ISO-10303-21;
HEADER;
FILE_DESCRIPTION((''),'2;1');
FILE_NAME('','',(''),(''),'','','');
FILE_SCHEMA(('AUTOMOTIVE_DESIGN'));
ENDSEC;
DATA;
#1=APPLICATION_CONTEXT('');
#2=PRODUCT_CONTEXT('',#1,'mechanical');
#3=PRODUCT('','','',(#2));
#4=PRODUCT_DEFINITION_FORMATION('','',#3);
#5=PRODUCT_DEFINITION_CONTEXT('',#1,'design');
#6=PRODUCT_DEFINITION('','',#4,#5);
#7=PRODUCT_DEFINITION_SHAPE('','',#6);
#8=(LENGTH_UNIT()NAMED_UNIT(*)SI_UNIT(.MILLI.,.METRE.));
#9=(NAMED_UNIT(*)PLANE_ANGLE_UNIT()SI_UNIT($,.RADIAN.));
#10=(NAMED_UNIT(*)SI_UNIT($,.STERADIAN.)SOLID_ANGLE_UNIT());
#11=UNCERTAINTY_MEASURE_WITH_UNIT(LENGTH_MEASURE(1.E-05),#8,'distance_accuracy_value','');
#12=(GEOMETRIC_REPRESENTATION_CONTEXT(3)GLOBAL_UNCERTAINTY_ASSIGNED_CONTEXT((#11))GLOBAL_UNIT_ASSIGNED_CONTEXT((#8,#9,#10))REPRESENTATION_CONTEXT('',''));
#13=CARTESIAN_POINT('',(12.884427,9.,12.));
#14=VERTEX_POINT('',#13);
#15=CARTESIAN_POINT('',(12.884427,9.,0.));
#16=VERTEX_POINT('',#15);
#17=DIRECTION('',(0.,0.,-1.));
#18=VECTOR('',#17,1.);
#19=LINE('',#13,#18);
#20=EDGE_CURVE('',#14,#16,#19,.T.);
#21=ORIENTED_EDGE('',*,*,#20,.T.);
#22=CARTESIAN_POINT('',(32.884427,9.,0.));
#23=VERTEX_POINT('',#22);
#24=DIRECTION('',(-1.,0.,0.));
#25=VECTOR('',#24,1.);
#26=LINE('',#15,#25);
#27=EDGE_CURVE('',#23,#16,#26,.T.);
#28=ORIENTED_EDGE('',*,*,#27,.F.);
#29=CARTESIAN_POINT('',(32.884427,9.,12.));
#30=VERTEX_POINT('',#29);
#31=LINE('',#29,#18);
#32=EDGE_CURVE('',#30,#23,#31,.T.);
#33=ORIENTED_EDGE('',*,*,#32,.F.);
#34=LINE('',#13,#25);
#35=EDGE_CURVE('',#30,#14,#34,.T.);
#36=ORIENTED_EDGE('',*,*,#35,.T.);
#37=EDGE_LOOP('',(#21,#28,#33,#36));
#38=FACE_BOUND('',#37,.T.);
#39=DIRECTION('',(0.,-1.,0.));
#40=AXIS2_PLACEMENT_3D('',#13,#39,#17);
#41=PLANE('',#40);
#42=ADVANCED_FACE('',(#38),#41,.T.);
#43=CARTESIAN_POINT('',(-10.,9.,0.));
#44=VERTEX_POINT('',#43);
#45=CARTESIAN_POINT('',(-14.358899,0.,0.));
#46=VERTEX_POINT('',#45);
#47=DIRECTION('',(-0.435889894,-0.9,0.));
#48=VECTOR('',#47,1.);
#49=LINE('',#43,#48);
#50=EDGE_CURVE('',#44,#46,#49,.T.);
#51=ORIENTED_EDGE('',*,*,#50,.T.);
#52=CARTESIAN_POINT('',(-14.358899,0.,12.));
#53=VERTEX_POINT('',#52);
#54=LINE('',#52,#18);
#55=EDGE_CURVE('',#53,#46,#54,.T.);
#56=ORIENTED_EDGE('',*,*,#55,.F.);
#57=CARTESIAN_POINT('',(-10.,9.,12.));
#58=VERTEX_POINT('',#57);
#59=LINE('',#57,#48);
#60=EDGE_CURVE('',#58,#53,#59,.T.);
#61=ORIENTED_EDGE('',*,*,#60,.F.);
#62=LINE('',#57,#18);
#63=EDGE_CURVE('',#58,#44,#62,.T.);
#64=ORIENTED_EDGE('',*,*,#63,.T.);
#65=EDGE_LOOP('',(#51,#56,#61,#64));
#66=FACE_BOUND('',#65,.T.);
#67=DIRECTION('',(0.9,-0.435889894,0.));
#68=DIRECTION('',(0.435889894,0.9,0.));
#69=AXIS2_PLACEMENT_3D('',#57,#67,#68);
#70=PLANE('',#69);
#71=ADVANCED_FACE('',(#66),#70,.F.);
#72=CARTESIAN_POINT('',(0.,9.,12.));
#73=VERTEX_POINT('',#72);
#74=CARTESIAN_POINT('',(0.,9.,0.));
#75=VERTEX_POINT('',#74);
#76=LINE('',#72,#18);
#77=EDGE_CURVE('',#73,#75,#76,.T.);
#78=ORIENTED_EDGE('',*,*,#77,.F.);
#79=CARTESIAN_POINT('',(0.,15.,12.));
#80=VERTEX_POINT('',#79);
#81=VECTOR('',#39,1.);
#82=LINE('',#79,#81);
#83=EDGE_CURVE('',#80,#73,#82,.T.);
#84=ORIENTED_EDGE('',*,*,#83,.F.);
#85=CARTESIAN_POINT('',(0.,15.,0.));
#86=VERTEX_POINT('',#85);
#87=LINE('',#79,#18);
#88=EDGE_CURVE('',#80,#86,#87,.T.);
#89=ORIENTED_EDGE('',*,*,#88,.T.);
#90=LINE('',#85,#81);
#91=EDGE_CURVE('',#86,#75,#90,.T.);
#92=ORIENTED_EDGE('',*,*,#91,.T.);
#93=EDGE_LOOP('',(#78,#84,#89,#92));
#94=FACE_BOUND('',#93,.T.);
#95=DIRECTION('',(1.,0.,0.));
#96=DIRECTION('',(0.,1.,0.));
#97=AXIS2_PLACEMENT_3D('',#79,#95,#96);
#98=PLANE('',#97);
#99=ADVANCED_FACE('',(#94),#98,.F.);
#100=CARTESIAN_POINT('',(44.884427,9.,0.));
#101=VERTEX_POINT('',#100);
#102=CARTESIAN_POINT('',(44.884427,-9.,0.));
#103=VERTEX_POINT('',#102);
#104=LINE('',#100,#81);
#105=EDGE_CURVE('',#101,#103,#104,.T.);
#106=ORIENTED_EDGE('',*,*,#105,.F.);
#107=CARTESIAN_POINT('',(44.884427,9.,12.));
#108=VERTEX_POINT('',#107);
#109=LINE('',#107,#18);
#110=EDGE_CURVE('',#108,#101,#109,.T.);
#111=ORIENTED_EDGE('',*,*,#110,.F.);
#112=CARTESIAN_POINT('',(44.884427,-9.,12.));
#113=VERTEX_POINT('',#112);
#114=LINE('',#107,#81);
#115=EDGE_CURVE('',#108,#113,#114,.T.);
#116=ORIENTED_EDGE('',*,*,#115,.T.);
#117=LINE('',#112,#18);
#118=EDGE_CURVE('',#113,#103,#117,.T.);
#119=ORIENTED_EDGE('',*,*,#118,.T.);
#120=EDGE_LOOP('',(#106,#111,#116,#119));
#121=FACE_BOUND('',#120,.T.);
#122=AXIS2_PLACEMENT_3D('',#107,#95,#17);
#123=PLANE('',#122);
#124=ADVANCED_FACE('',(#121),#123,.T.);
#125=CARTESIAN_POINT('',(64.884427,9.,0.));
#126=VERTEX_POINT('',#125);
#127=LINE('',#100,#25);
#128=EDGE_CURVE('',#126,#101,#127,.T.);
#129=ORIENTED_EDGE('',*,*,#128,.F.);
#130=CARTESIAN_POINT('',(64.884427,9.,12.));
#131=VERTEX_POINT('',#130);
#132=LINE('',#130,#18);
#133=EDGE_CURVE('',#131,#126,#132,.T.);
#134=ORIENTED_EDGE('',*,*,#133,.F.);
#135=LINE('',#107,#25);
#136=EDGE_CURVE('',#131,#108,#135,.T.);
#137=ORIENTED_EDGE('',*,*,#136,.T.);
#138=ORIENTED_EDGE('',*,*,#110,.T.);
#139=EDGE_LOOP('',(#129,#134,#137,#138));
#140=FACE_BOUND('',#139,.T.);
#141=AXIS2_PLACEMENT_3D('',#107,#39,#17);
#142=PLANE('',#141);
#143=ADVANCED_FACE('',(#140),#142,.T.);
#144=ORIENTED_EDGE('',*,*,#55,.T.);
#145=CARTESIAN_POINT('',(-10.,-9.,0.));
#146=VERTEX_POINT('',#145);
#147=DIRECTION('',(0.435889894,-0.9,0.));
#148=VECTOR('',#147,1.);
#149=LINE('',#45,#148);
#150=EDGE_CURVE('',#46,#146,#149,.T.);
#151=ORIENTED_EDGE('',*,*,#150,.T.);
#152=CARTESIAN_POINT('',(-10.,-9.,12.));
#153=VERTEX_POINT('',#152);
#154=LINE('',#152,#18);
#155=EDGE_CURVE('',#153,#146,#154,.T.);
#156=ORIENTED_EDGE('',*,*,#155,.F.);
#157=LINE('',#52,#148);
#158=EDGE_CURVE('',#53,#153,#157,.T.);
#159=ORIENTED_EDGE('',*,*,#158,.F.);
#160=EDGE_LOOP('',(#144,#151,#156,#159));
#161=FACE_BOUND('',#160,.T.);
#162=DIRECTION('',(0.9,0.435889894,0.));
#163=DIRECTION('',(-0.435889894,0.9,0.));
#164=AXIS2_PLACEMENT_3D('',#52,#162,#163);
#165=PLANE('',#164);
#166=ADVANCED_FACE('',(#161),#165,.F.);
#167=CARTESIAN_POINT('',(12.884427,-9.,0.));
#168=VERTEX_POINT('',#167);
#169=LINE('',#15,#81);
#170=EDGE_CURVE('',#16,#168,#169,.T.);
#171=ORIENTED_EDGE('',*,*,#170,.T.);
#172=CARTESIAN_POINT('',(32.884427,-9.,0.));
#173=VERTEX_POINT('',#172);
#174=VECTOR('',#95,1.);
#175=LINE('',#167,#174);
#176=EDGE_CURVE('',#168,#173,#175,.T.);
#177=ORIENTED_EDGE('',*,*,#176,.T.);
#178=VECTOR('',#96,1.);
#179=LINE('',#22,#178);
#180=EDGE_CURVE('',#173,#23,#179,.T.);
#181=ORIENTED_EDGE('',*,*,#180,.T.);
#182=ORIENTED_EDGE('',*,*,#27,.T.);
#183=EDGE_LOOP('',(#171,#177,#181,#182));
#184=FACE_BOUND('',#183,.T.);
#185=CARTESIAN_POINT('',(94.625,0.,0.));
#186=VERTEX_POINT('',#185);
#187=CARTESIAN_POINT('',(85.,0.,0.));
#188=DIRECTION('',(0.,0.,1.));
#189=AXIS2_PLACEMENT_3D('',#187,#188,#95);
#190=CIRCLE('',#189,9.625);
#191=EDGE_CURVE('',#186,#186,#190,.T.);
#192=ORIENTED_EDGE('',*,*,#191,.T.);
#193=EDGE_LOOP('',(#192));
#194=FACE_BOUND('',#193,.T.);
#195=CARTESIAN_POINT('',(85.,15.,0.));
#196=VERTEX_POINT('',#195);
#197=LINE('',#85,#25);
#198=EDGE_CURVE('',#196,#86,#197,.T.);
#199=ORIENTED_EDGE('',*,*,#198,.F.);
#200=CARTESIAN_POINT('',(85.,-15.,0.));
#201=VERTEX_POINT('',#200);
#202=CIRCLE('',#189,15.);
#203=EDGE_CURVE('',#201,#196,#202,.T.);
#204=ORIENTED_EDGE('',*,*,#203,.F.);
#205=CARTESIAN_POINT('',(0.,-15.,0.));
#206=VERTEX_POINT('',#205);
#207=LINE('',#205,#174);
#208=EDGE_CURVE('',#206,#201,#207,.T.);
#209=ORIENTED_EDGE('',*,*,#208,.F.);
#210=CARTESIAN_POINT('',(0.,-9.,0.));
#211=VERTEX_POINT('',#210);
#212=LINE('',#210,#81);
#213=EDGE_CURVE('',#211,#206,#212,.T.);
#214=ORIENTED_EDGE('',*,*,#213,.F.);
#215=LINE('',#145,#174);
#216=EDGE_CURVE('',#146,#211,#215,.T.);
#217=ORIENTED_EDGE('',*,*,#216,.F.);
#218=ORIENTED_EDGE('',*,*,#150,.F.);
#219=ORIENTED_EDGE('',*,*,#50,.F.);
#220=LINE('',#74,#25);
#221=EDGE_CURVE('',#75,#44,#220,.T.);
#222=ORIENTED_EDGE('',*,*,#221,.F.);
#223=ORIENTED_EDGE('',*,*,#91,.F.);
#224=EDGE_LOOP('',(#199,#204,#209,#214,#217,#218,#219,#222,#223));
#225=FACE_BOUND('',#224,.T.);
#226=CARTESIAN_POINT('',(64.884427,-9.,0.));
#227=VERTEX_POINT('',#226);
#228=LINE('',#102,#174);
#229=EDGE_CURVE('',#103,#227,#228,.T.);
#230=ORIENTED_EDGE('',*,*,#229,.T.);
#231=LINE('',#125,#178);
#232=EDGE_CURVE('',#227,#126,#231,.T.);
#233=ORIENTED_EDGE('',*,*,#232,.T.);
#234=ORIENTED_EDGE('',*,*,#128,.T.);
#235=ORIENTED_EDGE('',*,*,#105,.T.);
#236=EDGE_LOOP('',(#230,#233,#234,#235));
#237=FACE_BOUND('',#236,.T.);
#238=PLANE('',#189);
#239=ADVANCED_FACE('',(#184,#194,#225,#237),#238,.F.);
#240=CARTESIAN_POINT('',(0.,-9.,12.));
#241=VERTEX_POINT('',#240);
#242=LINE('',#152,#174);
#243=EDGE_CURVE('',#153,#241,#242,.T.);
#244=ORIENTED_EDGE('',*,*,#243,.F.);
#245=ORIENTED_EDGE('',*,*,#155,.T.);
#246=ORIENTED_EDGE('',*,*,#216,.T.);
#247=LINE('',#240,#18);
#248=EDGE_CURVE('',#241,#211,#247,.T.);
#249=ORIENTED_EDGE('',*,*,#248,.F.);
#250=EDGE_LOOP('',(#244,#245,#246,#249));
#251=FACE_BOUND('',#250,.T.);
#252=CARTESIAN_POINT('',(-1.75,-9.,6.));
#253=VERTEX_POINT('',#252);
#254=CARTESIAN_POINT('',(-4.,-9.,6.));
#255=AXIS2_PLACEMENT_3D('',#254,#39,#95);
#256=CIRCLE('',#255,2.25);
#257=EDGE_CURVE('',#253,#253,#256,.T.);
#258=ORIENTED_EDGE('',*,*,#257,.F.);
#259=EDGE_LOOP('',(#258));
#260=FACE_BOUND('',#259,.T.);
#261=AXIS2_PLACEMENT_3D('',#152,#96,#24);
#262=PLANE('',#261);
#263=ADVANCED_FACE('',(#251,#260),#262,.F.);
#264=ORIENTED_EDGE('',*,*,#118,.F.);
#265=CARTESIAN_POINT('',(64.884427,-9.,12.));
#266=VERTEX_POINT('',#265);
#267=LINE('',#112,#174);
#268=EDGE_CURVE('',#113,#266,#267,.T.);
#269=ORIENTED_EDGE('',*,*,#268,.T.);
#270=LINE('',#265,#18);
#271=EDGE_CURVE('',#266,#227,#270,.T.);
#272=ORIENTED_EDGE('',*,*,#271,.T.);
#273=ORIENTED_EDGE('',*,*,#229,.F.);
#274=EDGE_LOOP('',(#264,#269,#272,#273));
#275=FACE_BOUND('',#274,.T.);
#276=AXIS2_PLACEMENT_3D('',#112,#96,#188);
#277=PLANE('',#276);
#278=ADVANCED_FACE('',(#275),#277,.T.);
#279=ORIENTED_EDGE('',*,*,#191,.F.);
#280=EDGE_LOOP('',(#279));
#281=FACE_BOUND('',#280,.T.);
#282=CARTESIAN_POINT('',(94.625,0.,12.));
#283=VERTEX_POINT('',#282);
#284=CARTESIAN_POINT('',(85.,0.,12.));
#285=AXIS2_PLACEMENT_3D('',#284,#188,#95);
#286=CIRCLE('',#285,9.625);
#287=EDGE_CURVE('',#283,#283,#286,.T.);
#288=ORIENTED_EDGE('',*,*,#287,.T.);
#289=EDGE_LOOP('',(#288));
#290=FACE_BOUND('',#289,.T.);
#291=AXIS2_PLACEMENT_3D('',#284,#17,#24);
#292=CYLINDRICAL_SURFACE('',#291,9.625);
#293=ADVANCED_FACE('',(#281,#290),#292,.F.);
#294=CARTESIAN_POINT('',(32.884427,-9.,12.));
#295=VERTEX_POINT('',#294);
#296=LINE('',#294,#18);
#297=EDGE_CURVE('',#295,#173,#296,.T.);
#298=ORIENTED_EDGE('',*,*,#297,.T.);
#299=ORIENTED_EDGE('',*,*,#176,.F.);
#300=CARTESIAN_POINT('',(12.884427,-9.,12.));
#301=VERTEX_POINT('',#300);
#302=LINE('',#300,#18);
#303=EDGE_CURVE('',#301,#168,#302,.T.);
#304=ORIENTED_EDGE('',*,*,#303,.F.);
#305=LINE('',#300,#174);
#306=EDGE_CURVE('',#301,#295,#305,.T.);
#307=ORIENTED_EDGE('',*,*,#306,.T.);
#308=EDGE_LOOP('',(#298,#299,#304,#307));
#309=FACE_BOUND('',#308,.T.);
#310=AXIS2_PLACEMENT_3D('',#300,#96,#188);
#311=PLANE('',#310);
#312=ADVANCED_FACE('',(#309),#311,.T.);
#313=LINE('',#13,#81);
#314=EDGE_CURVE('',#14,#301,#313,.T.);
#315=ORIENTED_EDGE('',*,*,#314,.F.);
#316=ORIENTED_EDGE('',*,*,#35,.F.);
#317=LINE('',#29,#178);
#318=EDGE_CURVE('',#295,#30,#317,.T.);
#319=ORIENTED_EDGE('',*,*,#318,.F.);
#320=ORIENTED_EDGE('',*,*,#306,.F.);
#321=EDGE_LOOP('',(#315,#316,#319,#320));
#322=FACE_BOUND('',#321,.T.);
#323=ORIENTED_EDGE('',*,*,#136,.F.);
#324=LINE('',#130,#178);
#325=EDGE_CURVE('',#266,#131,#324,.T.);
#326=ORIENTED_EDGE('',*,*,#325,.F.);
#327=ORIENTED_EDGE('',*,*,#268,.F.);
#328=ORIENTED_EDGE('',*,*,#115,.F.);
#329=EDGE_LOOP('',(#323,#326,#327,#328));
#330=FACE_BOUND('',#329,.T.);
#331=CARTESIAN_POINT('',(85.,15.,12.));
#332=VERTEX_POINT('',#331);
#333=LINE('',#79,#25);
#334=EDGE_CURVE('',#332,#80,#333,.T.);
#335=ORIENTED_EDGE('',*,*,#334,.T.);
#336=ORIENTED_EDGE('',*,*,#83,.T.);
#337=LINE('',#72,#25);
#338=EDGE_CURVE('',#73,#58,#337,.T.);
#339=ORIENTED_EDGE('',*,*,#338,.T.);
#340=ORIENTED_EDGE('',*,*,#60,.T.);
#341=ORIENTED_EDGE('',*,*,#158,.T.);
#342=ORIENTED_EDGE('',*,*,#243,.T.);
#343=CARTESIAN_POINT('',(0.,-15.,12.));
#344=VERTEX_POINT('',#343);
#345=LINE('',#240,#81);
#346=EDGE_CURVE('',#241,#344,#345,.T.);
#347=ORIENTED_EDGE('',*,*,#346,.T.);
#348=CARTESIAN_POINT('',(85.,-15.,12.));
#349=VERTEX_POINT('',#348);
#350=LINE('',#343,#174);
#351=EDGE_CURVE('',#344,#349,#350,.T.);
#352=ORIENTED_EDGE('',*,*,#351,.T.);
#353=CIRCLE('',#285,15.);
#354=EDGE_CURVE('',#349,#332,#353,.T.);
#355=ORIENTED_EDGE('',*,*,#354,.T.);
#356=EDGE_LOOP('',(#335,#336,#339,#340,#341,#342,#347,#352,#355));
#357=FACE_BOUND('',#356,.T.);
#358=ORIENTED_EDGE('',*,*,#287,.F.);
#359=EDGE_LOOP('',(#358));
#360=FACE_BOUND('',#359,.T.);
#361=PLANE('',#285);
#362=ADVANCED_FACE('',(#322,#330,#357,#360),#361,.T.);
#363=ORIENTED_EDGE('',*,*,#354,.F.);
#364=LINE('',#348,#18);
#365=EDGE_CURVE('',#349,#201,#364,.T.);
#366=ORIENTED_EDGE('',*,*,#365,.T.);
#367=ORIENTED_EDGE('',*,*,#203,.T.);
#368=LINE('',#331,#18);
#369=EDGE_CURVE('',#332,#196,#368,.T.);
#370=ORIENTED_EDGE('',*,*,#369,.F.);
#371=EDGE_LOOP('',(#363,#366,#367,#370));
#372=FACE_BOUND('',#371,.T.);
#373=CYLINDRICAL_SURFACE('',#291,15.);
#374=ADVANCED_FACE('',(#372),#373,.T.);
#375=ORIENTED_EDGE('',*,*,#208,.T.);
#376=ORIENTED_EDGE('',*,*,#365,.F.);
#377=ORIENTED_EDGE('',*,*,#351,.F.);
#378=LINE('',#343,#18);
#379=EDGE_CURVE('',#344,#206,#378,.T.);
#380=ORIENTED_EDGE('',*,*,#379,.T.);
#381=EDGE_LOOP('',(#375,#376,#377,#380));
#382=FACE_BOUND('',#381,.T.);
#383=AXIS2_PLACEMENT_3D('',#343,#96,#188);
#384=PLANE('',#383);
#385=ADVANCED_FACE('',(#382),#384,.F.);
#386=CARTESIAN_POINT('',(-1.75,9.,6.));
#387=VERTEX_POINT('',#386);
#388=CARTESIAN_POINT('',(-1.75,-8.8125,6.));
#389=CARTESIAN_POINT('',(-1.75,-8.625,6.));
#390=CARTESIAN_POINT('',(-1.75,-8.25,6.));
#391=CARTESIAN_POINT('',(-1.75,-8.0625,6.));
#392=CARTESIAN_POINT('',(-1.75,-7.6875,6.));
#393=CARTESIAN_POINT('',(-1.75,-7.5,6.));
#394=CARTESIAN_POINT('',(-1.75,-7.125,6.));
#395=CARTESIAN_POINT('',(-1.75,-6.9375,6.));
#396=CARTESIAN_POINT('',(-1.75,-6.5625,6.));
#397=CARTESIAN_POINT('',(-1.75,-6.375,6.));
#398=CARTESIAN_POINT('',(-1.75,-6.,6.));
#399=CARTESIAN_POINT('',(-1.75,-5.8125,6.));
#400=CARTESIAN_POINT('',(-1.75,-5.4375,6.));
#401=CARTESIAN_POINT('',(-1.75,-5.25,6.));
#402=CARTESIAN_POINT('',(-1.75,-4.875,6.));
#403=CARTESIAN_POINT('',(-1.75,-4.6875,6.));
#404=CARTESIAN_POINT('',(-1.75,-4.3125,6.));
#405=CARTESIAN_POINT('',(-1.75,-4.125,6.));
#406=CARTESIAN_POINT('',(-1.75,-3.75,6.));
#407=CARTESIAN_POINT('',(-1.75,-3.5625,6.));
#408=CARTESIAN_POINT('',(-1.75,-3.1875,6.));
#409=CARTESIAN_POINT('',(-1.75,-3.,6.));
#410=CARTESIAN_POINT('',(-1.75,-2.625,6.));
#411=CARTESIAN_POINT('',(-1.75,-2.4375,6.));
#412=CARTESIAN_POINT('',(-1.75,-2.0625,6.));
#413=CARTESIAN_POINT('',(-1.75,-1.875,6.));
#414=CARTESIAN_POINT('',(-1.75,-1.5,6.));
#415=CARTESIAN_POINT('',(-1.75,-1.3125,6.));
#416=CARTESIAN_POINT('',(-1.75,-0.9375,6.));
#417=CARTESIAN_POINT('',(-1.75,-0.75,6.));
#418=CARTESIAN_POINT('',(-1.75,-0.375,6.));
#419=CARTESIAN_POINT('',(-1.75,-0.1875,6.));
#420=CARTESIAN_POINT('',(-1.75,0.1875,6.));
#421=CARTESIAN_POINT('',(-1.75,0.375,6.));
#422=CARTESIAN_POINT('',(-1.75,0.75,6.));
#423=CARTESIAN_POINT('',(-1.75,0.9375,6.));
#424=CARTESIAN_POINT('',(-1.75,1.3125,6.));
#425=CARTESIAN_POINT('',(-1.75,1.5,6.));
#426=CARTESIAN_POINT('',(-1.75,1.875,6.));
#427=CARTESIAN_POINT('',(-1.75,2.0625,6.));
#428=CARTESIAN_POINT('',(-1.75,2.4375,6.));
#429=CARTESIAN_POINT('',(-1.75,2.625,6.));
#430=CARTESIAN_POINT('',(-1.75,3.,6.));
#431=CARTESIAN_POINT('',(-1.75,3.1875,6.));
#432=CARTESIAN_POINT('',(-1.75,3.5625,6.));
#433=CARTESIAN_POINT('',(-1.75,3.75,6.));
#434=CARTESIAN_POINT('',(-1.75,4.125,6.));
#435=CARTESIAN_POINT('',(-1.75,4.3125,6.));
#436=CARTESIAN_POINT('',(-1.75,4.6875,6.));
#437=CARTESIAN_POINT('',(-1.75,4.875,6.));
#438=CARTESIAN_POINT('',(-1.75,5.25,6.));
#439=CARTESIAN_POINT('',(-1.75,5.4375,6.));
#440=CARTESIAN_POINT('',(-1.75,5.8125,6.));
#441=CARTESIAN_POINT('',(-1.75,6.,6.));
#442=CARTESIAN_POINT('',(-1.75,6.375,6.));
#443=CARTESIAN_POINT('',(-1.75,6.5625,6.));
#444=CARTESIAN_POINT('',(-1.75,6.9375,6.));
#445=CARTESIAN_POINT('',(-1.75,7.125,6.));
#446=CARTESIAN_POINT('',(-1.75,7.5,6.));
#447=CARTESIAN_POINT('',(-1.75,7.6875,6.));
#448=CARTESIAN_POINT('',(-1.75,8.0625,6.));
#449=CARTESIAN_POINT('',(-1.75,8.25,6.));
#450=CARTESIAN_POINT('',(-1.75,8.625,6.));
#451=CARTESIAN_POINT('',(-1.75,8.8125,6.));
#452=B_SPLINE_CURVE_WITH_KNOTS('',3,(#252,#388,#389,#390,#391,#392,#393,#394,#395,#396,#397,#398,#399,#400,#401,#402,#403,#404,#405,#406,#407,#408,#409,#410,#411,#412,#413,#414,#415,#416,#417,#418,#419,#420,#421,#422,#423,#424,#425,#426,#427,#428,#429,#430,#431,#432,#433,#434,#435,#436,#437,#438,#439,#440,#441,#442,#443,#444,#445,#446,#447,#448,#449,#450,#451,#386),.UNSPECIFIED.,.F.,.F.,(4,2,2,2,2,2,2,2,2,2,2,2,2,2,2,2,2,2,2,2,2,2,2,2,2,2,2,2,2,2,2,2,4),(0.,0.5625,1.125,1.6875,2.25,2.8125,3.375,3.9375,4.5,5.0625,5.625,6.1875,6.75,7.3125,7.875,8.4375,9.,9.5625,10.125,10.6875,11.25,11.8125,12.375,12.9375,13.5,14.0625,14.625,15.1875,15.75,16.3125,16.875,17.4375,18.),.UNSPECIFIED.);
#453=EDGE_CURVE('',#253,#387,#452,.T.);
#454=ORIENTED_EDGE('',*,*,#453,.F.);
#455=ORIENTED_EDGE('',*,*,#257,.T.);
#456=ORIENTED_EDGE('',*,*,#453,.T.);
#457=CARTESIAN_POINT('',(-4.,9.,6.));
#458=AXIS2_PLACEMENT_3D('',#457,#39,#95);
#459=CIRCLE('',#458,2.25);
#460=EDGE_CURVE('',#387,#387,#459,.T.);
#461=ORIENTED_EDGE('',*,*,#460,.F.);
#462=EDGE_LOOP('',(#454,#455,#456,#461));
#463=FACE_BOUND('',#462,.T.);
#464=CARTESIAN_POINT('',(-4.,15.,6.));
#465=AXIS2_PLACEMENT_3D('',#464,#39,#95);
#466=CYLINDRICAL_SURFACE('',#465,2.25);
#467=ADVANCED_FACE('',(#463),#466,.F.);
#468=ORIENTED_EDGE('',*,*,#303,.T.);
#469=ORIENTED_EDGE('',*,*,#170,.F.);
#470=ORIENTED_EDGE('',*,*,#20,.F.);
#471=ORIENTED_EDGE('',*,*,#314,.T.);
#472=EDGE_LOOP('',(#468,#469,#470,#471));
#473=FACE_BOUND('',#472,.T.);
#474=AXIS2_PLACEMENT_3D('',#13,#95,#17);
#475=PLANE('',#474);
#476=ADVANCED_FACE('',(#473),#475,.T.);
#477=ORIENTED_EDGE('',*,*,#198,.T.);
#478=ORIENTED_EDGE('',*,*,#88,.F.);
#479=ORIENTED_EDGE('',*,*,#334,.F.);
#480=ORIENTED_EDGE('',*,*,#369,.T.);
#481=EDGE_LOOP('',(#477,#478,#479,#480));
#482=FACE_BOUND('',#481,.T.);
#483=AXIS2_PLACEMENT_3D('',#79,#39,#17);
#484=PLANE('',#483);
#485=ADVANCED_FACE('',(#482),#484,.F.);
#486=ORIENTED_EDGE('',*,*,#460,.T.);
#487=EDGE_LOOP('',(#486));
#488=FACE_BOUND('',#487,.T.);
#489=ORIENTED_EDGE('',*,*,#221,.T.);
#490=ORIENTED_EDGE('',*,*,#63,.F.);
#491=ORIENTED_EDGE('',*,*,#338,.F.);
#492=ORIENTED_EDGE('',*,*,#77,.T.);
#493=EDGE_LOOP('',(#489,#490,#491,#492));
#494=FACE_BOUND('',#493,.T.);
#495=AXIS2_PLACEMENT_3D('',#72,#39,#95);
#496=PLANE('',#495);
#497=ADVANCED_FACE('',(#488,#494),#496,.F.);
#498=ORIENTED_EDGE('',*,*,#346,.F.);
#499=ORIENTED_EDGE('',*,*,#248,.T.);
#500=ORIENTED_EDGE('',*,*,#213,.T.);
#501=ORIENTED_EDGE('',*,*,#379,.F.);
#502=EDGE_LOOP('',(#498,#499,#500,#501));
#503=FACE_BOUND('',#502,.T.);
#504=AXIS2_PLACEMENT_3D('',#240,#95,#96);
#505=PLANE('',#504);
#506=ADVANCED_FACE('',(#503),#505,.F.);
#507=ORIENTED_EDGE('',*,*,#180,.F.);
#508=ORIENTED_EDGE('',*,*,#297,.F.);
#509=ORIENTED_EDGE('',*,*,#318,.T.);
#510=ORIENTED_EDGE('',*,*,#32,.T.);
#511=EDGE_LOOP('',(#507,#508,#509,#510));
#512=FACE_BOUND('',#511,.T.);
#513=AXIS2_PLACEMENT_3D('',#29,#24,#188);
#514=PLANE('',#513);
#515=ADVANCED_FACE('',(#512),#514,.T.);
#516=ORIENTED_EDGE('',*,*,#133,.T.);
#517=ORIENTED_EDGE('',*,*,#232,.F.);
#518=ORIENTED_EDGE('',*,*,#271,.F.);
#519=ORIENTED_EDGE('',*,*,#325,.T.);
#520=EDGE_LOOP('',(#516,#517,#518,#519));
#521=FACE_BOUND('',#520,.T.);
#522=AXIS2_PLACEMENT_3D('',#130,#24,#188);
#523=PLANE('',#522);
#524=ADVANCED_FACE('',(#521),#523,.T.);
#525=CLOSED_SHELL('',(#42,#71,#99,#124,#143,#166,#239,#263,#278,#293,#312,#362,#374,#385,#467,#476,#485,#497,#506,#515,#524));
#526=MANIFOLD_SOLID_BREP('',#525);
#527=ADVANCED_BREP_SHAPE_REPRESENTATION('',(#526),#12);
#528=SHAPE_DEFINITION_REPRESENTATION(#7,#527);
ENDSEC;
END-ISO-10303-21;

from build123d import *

# Parameters (mm, degrees)
SKETCH1_R           = 9.625
SKETCH1_W           = 20
SKETCH1_H           = 18
BOSS_EXTRUDE1_DEPTH = 12
SKETCH2_R           = 2.25
CUT_EXTRUDE1_DEPTH  = 104.537432844


with BuildPart() as part:
    # Sketch1 → Boss-Extrude1 (new body)
    with BuildSketch(Plane.XY):
        with BuildLine():
            Line((0, 15), (85, 15))
            ThreePointArc((85, 15), (100, 0), (85, -15))
            Line((85, -15), (0, -15))
            Line((0, -15), (0, -9))
            Line((0, -9), (-10, -9))
            Line((-10, -9), (-14.358898944, 0))
            Line((-14.358898944, 0), (-10, 9))
            Line((-10, 9), (0, 9))
            Line((0, 9), (0, 15))
        make_face()
        with Locations((85, 0)):
            Circle(SKETCH1_R, mode=Mode.SUBTRACT)
        with Locations((22.884427269, 0)):
            Rectangle(SKETCH1_W, SKETCH1_H, mode=Mode.SUBTRACT)
        with Locations((54.884427269, 0)):
            Rectangle(SKETCH1_W, SKETCH1_H, mode=Mode.SUBTRACT)
    extrude(amount=BOSS_EXTRUDE1_DEPTH)

    # Sketch2 → Cut-Extrude1 (cut, through all)
    with BuildSketch(Plane.XZ.offset(9)):
        with Locations((-4, 6)):
            Circle(SKETCH2_R)
    extrude(amount=-CUT_EXTRUDE1_DEPTH, mode=Mode.SUBTRACT)


solid = part.part
